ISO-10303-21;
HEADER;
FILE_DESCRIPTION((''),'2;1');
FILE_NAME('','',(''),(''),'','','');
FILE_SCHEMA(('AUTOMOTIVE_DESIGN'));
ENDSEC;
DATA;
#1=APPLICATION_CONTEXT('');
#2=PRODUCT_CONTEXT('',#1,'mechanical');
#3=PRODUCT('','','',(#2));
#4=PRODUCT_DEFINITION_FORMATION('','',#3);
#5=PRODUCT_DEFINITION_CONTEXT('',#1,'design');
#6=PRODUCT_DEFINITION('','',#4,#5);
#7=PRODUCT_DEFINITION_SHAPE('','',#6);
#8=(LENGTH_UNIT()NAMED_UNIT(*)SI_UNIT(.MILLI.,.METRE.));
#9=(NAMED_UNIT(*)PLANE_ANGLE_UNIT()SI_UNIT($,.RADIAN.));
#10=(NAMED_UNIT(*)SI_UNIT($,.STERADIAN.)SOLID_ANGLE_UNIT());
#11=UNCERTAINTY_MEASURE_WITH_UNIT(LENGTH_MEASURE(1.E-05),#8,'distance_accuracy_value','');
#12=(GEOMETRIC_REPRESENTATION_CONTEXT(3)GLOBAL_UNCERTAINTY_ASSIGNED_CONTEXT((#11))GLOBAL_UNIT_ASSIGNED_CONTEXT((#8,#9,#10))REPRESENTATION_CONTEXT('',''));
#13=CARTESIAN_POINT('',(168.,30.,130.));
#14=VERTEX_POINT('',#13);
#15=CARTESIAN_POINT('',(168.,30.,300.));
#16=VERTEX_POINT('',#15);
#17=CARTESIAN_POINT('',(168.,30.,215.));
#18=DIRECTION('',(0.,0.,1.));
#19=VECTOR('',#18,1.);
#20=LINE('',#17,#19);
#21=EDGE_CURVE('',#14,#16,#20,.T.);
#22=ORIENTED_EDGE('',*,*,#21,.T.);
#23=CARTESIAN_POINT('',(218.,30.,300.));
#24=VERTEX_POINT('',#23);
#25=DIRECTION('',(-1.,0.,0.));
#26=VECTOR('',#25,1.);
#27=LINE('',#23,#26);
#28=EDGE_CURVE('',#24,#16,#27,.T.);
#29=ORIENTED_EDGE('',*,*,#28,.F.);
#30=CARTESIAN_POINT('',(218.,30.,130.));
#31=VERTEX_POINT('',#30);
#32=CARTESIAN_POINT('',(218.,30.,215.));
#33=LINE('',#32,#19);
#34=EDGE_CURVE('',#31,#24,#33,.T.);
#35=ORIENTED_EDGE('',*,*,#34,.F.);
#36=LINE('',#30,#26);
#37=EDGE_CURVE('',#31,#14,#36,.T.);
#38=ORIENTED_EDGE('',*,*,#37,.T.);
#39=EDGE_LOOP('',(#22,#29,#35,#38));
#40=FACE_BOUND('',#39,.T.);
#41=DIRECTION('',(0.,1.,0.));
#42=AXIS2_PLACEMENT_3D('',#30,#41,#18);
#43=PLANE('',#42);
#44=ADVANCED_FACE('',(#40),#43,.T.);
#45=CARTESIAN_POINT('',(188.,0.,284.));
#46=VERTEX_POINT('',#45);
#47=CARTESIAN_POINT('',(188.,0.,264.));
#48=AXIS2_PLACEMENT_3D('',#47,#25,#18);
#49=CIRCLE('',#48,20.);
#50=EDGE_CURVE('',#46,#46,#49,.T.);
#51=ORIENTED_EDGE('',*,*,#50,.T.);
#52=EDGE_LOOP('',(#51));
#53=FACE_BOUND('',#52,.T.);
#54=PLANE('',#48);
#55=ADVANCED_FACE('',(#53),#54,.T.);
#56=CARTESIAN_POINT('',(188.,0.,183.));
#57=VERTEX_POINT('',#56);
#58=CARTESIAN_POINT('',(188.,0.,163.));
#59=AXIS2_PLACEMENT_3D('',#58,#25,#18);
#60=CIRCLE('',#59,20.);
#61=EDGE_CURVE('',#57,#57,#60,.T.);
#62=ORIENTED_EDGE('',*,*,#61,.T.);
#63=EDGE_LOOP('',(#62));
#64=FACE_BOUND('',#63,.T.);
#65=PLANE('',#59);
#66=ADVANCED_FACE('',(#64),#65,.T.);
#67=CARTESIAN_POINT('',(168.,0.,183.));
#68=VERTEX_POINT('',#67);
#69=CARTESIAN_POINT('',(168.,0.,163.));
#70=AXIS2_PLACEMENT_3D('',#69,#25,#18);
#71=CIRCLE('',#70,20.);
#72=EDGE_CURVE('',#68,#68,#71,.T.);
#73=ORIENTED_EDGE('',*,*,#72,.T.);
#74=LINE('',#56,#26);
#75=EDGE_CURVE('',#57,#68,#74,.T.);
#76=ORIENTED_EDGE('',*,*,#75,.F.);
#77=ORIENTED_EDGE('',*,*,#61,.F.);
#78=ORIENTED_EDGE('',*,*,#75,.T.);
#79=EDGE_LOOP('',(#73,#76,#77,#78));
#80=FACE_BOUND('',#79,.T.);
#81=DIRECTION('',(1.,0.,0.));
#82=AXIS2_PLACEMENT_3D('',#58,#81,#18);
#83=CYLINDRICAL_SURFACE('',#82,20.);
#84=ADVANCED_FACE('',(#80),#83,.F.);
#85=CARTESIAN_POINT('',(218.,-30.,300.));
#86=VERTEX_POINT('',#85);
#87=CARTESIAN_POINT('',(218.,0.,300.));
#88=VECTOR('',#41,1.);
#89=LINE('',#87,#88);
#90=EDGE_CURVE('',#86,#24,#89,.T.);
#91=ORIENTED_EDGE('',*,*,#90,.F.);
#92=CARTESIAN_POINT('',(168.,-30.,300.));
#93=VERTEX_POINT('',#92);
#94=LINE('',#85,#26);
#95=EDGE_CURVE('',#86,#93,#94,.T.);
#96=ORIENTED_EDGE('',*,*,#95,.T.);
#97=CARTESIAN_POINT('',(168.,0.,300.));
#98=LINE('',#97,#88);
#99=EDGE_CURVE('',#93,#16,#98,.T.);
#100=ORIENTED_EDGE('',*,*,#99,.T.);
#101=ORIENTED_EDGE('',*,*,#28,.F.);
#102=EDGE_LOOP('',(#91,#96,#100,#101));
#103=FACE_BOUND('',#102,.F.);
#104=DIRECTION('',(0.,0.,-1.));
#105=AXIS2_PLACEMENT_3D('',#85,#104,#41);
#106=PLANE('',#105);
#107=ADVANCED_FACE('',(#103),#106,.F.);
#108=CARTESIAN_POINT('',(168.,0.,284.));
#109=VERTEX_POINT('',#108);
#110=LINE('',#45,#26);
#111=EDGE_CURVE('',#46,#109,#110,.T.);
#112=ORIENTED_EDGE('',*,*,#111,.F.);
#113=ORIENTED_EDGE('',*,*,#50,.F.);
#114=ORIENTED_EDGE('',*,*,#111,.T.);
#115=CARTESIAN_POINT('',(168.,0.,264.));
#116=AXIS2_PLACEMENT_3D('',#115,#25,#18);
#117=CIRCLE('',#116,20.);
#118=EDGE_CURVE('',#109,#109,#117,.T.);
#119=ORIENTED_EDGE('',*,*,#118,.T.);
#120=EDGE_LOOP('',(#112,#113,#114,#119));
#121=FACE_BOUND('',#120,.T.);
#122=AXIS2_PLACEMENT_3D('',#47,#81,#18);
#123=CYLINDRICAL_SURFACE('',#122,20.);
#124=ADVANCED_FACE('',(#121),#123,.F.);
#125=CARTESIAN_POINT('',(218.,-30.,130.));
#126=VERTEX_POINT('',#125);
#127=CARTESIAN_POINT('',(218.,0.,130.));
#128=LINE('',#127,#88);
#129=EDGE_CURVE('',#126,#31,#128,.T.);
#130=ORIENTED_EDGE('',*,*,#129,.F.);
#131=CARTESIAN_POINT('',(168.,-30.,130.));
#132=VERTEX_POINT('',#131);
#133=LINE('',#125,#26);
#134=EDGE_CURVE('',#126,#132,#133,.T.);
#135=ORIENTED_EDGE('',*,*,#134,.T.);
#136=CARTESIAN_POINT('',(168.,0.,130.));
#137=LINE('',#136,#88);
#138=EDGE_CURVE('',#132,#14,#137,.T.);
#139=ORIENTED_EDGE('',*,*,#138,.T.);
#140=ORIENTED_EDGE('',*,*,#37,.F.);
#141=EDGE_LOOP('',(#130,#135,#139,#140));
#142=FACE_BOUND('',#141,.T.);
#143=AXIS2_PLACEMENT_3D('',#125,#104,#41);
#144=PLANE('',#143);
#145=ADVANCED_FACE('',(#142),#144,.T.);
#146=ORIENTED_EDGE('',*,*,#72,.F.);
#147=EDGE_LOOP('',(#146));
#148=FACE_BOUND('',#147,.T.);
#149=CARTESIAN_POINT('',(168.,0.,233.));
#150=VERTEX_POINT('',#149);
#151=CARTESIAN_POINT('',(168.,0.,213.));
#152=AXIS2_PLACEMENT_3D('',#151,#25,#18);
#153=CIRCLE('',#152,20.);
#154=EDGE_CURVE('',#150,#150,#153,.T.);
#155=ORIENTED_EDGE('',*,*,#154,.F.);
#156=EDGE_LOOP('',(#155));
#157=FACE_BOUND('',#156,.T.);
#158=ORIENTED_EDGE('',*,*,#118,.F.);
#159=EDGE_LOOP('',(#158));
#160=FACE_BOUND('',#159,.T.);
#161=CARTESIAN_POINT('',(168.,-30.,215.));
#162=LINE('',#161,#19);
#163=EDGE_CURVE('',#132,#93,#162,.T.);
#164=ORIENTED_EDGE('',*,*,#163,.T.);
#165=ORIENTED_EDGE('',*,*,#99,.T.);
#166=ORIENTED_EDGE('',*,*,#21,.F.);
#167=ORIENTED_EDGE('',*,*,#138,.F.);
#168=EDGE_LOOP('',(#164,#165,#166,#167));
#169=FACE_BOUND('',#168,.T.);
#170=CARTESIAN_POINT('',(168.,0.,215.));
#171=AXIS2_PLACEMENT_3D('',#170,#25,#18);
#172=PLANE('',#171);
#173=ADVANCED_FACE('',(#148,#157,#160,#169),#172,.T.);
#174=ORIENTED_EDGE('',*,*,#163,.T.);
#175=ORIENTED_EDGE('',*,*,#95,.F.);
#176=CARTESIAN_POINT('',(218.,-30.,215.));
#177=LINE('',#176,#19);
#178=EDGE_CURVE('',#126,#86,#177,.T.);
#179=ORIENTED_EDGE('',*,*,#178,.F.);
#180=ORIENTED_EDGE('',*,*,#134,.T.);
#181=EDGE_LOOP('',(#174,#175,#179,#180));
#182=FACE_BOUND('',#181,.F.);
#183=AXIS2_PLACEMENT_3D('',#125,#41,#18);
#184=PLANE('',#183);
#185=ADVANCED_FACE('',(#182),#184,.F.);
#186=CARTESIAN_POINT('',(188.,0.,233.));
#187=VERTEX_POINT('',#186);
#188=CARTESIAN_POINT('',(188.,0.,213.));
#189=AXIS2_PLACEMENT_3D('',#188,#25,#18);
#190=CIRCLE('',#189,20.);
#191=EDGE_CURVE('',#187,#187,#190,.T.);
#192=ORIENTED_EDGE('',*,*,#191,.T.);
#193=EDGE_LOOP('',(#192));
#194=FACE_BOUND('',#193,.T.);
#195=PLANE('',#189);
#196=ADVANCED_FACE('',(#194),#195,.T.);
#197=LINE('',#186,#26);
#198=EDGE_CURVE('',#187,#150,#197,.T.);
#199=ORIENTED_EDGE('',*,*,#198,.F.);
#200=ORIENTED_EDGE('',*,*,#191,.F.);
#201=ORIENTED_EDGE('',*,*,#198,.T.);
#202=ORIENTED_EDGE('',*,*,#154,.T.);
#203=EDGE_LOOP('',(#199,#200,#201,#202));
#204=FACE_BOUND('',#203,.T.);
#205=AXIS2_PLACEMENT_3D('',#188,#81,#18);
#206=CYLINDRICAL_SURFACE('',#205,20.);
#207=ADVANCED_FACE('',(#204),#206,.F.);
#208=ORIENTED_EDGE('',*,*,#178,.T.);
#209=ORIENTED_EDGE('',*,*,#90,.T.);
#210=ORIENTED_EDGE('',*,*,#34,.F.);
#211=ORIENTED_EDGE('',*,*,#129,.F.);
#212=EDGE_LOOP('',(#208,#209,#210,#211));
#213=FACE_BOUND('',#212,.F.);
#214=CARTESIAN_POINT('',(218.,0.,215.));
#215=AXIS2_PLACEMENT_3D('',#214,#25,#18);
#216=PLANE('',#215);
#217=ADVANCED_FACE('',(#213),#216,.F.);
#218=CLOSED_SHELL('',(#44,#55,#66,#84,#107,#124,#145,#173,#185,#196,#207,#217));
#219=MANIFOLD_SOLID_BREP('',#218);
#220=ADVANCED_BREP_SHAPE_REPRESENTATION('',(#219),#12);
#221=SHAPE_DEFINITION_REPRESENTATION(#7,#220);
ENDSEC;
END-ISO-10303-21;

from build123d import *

# Parameters (mm, degrees)
CYLINDER004_R          = 20
CYLINDER004_DEPTH      = 20
CYLINDER005_R          = 20
CYLINDER005_DEPTH      = 20
CYLINDER003_R          = 20
CYLINDER003_DEPTH      = 20
BOX009_W               = 170
BOX009_H               = 60
BOX009_DEPTH           = 50
CUT006_PLACEMENT_ANGLE = 90


with BuildPart() as cylinder003:
    # Cylinder004 → Cylinder004 (new body)
    with BuildSketch(Plane(origin=(83, 579, 175), x_dir=(1, 0, 0), z_dir=(0, 0, 1))):
        Circle(CYLINDER004_R)
    extrude(amount=CYLINDER004_DEPTH)


with BuildPart() as cylinder004:
    # Cylinder005 → Cylinder005 (new body)
    with BuildSketch(Plane(origin=(134, 579, 175), x_dir=(1, 0, 0), z_dir=(0, 0, 1))):
        Circle(CYLINDER005_R)
    extrude(amount=CYLINDER005_DEPTH)


with BuildPart() as cylinder002:
    # Cylinder003 → Cylinder003 (new body)
    with BuildSketch(Plane(origin=(33, 579, 175), x_dir=(1, 0, 0), z_dir=(0, 0, 1))):
        Circle(CYLINDER003_R)
    extrude(amount=CYLINDER003_DEPTH)


with BuildPart() as prodluzka:
    # Box009 → Box009 (new body)
    with BuildSketch(Plane(origin=(0, 549, 145), x_dir=(1, 0, 0), z_dir=(0, 0, 1))):
        with Locations((85, 30)):
            Rectangle(BOX009_W, BOX009_H)
    extrude(amount=BOX009_DEPTH)

    # Cut004: cut Cylinder002
    add(cylinder002.part, mode=Mode.SUBTRACT)

    # Cut005: cut Cylinder004
    add(cylinder004.part, mode=Mode.SUBTRACT)

    # Cut006: cut Cylinder003
    add(cylinder003.part, mode=Mode.SUBTRACT)


with BuildPart() as prodluzka_1:
    # Cut006 placement: moved
    add(prodluzka.part.moved(Location((363, -579, 130))).rotate(Axis((363, -579, 130), (0, -1, 0)), CUT006_PLACEMENT_ANGLE))


solid = prodluzka_1.part
